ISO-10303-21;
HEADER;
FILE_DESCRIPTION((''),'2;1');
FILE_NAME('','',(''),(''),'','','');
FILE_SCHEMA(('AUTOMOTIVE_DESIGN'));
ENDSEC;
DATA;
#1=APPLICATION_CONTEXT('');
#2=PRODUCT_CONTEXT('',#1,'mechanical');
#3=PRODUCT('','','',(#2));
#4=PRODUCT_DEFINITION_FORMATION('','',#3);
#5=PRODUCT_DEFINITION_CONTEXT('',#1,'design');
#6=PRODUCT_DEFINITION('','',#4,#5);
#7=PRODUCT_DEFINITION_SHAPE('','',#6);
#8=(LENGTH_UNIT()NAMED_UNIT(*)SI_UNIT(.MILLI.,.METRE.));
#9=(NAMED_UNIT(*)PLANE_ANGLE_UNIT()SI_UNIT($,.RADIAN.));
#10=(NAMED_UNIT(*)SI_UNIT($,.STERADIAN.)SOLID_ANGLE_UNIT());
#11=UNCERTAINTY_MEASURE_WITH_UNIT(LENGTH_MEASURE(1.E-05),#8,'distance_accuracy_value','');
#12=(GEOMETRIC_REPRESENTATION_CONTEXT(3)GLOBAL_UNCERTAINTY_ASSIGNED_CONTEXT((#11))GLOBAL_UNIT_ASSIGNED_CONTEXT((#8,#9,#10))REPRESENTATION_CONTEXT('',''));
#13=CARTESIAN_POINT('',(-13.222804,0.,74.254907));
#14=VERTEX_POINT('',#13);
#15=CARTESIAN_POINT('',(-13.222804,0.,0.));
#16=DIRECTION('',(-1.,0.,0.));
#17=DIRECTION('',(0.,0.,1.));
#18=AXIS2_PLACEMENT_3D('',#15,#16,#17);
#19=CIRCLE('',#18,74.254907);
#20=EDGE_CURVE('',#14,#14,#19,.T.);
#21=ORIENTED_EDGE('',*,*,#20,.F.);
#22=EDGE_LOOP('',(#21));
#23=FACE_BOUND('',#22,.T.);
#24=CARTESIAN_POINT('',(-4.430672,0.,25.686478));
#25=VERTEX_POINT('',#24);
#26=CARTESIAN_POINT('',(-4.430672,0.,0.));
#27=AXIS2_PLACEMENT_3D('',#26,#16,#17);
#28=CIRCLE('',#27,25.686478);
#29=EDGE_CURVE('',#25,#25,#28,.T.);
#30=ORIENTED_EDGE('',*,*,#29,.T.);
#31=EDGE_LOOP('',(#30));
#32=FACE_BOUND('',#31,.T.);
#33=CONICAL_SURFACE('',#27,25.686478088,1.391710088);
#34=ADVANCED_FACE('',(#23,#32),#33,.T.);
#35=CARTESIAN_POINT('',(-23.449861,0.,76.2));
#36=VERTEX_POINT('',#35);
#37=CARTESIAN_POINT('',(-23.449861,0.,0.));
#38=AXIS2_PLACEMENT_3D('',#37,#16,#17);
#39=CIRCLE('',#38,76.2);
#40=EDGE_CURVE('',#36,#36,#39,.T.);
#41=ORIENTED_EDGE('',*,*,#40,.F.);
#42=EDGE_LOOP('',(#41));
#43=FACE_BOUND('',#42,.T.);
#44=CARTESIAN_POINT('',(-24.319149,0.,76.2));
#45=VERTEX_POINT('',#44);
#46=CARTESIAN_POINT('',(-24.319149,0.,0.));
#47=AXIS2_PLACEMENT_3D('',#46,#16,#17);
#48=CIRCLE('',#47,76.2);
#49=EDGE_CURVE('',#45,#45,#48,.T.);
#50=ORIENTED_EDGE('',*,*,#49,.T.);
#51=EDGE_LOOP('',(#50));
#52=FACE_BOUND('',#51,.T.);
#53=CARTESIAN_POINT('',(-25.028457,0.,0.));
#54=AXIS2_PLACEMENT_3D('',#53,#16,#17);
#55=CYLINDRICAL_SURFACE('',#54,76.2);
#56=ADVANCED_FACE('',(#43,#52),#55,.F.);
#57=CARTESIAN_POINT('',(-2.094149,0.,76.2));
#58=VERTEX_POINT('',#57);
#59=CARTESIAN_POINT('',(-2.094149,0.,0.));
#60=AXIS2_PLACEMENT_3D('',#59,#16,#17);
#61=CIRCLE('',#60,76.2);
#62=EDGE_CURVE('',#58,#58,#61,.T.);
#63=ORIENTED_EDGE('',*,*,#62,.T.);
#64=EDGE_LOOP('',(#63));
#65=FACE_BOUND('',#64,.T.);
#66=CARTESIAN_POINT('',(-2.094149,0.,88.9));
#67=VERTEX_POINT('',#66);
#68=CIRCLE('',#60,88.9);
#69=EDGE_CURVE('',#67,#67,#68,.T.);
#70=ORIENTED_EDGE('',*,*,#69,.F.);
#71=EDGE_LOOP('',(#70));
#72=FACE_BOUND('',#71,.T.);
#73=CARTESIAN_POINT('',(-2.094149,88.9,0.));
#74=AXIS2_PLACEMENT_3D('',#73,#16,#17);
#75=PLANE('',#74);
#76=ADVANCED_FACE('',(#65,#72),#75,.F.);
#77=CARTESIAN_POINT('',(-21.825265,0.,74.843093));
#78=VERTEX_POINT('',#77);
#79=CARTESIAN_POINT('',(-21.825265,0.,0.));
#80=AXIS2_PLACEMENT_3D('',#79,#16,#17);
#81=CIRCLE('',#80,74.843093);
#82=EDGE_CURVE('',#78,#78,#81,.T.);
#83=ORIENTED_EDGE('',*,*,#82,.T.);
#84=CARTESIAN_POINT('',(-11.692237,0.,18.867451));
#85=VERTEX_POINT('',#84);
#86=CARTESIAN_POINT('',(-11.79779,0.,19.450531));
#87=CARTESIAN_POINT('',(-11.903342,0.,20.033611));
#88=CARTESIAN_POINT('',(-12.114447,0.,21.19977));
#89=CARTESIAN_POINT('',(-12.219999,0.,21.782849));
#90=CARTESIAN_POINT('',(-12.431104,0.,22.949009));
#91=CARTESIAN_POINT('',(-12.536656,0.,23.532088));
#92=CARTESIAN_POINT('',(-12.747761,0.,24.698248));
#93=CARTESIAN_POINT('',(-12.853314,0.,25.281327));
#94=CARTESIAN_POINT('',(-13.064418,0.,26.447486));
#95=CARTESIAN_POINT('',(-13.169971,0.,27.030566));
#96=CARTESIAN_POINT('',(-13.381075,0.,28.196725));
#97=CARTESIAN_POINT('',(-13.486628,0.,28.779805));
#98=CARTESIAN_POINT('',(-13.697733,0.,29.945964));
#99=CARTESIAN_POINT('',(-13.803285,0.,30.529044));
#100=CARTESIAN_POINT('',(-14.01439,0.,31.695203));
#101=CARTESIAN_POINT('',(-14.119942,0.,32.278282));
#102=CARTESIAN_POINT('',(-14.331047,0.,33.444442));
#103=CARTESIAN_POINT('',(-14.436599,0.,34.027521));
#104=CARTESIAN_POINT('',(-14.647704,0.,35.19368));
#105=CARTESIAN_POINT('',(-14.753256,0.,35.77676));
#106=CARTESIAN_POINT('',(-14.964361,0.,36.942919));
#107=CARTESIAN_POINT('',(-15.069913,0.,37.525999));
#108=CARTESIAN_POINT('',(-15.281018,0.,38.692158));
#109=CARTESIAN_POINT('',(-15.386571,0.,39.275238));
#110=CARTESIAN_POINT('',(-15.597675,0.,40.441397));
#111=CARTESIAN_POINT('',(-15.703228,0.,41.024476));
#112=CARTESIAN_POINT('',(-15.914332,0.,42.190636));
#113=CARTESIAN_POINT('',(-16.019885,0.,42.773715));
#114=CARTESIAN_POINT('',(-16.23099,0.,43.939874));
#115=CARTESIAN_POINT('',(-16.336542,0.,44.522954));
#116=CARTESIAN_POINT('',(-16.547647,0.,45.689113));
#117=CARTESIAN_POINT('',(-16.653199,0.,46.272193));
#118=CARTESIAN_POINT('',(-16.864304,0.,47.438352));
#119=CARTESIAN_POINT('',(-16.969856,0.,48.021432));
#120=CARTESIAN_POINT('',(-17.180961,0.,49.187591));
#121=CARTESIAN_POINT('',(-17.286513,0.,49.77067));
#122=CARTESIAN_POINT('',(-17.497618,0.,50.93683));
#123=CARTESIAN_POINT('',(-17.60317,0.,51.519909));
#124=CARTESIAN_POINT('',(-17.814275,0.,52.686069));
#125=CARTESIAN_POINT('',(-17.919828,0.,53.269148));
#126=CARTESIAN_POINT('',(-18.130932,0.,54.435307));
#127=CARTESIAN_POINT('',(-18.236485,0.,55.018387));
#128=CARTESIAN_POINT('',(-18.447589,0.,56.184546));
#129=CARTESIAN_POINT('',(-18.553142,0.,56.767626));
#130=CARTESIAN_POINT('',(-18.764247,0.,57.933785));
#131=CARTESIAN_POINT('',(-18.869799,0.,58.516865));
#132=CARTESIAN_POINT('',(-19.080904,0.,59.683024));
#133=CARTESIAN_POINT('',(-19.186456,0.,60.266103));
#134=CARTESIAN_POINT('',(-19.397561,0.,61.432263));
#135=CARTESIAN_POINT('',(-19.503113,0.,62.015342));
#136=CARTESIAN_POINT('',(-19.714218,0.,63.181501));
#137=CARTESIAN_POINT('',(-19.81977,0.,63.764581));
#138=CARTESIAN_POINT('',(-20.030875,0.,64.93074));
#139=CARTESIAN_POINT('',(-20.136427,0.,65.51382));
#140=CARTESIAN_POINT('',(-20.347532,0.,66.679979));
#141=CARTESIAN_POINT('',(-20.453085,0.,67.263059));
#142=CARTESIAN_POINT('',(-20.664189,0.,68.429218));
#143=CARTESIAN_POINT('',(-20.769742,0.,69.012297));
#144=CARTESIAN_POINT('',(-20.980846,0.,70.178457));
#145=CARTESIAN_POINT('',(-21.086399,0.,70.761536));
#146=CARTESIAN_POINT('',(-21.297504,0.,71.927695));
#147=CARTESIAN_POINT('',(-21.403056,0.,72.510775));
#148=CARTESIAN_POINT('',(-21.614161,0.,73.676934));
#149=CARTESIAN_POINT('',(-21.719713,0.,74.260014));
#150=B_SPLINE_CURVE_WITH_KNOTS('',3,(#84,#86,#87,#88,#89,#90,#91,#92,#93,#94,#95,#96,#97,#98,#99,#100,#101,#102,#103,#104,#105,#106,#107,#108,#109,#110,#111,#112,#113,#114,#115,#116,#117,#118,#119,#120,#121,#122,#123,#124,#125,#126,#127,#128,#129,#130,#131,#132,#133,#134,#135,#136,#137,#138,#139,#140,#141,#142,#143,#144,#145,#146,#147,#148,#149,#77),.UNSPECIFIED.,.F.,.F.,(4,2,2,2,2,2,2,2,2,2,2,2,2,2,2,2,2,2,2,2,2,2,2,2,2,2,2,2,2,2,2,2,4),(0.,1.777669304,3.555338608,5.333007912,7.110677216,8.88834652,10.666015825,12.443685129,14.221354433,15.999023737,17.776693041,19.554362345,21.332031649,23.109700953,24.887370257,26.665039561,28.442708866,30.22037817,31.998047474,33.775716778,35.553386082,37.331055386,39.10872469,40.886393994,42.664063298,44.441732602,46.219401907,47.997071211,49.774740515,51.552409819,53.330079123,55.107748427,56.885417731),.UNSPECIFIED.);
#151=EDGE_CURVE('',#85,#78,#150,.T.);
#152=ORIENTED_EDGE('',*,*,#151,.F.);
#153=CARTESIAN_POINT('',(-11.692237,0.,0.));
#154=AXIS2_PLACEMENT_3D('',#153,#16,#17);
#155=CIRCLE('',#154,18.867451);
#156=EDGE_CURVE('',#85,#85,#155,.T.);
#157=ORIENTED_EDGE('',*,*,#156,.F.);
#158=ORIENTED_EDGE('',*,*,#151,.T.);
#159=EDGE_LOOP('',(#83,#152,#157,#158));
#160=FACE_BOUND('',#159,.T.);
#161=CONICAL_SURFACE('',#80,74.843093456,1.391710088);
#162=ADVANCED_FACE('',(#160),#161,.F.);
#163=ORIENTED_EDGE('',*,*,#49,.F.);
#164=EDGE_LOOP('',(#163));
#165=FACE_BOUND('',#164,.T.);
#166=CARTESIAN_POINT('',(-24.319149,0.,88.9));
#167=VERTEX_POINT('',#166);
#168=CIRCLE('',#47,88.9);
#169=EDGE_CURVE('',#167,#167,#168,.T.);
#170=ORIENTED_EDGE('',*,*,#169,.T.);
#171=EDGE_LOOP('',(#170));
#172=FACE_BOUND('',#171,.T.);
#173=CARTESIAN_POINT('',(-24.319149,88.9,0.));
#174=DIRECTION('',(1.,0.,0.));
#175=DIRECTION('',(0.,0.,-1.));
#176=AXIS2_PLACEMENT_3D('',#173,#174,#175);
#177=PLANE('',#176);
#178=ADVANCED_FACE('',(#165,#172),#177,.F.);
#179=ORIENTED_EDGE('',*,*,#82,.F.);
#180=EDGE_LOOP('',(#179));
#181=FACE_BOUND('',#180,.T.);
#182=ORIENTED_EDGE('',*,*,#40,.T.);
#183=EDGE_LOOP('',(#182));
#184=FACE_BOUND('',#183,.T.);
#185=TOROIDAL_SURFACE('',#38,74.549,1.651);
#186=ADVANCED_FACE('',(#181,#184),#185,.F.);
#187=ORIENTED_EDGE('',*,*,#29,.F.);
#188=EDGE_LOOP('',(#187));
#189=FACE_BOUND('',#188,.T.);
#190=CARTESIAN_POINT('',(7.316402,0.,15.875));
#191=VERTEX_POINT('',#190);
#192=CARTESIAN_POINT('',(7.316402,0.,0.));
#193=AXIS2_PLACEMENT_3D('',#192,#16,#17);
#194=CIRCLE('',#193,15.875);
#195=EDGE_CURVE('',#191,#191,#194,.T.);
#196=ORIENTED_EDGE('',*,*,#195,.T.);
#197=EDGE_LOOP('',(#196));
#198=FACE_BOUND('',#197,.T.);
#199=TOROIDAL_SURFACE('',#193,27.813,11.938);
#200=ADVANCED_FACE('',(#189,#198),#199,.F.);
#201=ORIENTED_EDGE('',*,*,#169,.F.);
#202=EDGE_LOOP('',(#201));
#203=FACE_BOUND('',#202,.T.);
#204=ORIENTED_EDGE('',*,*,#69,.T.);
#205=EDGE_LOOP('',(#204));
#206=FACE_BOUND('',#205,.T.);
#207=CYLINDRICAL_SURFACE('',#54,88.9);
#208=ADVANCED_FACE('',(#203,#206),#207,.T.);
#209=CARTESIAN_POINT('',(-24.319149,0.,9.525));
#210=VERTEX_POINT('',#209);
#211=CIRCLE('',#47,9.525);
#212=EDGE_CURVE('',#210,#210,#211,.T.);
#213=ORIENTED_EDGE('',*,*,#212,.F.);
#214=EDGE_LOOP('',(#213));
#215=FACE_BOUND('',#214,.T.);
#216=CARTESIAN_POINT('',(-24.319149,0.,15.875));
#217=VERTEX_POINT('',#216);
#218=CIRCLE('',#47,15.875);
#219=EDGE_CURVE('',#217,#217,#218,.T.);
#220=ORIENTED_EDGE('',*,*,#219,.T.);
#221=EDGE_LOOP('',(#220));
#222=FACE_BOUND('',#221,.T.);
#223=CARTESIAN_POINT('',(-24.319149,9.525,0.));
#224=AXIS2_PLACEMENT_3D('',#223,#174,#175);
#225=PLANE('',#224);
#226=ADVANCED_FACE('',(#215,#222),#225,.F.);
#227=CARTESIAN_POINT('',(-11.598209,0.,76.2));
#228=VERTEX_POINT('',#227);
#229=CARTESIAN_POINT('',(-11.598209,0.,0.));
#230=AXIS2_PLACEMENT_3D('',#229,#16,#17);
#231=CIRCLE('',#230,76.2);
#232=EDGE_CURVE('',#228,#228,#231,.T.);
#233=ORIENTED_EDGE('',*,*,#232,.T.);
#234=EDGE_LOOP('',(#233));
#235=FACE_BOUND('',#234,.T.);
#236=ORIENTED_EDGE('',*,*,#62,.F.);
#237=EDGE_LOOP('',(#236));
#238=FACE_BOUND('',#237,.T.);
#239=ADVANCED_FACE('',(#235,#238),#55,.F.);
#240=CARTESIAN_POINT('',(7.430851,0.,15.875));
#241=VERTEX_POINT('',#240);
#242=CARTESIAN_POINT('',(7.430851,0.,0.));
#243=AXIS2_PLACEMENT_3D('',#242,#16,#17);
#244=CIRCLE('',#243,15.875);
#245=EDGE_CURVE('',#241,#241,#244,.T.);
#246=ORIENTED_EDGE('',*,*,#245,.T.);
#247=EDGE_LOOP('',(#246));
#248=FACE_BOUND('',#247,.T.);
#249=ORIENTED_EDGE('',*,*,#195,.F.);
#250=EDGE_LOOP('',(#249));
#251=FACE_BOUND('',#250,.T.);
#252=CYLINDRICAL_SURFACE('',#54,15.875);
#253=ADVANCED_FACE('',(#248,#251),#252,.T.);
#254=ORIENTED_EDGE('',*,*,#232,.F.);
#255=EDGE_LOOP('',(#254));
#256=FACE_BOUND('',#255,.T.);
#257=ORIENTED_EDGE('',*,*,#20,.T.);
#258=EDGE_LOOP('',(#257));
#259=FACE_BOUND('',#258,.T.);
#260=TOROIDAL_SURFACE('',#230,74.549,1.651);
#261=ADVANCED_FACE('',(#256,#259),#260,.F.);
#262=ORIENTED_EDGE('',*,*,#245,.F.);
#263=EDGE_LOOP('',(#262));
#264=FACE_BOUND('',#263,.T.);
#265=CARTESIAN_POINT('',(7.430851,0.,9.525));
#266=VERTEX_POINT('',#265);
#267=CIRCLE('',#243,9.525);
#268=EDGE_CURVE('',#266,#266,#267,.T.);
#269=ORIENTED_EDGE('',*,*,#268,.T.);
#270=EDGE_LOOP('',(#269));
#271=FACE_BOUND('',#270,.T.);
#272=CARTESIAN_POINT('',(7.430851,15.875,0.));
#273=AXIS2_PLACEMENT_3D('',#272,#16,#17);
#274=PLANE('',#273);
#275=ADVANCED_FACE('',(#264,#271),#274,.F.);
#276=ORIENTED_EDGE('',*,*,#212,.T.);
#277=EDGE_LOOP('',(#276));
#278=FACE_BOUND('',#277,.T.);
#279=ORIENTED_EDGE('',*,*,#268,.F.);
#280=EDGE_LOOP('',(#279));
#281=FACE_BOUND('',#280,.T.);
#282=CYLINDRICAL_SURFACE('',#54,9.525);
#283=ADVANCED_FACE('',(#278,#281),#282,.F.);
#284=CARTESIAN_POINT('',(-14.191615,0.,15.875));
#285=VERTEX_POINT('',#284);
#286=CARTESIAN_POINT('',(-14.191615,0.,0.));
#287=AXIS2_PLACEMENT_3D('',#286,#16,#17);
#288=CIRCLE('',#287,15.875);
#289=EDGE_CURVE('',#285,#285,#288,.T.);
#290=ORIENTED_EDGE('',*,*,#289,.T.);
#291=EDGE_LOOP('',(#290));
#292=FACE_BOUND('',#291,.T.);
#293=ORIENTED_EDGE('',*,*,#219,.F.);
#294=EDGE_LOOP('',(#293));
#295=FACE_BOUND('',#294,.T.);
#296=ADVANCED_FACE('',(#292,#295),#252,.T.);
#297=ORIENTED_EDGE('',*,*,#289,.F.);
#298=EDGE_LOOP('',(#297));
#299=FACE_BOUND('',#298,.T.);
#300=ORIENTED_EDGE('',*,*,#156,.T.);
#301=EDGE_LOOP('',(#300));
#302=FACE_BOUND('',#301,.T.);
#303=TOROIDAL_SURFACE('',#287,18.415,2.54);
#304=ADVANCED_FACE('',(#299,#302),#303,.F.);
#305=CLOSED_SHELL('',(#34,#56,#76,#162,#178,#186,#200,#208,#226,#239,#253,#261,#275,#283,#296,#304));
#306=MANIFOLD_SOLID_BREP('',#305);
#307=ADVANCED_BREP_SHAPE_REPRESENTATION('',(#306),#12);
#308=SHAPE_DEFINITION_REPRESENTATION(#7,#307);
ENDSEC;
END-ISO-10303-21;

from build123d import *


with BuildPart() as part:
    # Sketch2 → Revolve1 (revolve)
    with BuildSketch(Plane.XY, mode=Mode.PRIVATE) as revolve1_sk:
        with BuildLine():
            Line((-24.319148936, 9.525), (7.430851064, 9.525))
            Line((7.430851064, 9.525), (7.430851064, 15.875))
            Line((7.430851064, 15.875), (7.316402096, 15.875))
            ThreePointArc((7.316402096, 15.875), (-0.336356408, 18.650515004), (-4.430671947, 25.686478088))
            Line((-4.430671947, 25.686478088), (-13.222804096, 74.254906544))
            ThreePointArc((-13.222804096, 74.254906544), (-12.86536093, 75.607360219), (-11.59820875, 76.2))
            Line((-11.59820875, 76.2), (-2.094148936, 76.2))
            Line((-2.094148936, 76.2), (-2.094148936, 88.9))
            Line((-2.094148936, 88.9), (-24.319148936, 88.9))
            Line((-24.319148936, 88.9), (-24.319148936, 76.2))
            Line((-24.319148936, 76.2), (-23.449860757, 76.2))
            ThreePointArc((-23.449860757, 76.2), (-22.391500538, 75.81615218), (-21.82526541, 74.843093456))
            Line((-21.82526541, 74.843093456), (-11.692237493, 18.867451471))
            ThreePointArc((-11.692237493, 18.867451471), (-12.242150056, 16.78675351), (-14.191614948, 15.875))
            Line((-14.191614948, 15.875), (-24.319148936, 15.875))
            Line((-24.319148936, 15.875), (-24.319148936, 9.525))
        make_face()
    revolve(revolve1_sk.sketch.rotate(Axis((-25.028457447, 0, 0), (1, 0, 0)), 90), axis=Axis((-25.028457447, 0, 0), (1, 0, 0)))


solid = part.part
